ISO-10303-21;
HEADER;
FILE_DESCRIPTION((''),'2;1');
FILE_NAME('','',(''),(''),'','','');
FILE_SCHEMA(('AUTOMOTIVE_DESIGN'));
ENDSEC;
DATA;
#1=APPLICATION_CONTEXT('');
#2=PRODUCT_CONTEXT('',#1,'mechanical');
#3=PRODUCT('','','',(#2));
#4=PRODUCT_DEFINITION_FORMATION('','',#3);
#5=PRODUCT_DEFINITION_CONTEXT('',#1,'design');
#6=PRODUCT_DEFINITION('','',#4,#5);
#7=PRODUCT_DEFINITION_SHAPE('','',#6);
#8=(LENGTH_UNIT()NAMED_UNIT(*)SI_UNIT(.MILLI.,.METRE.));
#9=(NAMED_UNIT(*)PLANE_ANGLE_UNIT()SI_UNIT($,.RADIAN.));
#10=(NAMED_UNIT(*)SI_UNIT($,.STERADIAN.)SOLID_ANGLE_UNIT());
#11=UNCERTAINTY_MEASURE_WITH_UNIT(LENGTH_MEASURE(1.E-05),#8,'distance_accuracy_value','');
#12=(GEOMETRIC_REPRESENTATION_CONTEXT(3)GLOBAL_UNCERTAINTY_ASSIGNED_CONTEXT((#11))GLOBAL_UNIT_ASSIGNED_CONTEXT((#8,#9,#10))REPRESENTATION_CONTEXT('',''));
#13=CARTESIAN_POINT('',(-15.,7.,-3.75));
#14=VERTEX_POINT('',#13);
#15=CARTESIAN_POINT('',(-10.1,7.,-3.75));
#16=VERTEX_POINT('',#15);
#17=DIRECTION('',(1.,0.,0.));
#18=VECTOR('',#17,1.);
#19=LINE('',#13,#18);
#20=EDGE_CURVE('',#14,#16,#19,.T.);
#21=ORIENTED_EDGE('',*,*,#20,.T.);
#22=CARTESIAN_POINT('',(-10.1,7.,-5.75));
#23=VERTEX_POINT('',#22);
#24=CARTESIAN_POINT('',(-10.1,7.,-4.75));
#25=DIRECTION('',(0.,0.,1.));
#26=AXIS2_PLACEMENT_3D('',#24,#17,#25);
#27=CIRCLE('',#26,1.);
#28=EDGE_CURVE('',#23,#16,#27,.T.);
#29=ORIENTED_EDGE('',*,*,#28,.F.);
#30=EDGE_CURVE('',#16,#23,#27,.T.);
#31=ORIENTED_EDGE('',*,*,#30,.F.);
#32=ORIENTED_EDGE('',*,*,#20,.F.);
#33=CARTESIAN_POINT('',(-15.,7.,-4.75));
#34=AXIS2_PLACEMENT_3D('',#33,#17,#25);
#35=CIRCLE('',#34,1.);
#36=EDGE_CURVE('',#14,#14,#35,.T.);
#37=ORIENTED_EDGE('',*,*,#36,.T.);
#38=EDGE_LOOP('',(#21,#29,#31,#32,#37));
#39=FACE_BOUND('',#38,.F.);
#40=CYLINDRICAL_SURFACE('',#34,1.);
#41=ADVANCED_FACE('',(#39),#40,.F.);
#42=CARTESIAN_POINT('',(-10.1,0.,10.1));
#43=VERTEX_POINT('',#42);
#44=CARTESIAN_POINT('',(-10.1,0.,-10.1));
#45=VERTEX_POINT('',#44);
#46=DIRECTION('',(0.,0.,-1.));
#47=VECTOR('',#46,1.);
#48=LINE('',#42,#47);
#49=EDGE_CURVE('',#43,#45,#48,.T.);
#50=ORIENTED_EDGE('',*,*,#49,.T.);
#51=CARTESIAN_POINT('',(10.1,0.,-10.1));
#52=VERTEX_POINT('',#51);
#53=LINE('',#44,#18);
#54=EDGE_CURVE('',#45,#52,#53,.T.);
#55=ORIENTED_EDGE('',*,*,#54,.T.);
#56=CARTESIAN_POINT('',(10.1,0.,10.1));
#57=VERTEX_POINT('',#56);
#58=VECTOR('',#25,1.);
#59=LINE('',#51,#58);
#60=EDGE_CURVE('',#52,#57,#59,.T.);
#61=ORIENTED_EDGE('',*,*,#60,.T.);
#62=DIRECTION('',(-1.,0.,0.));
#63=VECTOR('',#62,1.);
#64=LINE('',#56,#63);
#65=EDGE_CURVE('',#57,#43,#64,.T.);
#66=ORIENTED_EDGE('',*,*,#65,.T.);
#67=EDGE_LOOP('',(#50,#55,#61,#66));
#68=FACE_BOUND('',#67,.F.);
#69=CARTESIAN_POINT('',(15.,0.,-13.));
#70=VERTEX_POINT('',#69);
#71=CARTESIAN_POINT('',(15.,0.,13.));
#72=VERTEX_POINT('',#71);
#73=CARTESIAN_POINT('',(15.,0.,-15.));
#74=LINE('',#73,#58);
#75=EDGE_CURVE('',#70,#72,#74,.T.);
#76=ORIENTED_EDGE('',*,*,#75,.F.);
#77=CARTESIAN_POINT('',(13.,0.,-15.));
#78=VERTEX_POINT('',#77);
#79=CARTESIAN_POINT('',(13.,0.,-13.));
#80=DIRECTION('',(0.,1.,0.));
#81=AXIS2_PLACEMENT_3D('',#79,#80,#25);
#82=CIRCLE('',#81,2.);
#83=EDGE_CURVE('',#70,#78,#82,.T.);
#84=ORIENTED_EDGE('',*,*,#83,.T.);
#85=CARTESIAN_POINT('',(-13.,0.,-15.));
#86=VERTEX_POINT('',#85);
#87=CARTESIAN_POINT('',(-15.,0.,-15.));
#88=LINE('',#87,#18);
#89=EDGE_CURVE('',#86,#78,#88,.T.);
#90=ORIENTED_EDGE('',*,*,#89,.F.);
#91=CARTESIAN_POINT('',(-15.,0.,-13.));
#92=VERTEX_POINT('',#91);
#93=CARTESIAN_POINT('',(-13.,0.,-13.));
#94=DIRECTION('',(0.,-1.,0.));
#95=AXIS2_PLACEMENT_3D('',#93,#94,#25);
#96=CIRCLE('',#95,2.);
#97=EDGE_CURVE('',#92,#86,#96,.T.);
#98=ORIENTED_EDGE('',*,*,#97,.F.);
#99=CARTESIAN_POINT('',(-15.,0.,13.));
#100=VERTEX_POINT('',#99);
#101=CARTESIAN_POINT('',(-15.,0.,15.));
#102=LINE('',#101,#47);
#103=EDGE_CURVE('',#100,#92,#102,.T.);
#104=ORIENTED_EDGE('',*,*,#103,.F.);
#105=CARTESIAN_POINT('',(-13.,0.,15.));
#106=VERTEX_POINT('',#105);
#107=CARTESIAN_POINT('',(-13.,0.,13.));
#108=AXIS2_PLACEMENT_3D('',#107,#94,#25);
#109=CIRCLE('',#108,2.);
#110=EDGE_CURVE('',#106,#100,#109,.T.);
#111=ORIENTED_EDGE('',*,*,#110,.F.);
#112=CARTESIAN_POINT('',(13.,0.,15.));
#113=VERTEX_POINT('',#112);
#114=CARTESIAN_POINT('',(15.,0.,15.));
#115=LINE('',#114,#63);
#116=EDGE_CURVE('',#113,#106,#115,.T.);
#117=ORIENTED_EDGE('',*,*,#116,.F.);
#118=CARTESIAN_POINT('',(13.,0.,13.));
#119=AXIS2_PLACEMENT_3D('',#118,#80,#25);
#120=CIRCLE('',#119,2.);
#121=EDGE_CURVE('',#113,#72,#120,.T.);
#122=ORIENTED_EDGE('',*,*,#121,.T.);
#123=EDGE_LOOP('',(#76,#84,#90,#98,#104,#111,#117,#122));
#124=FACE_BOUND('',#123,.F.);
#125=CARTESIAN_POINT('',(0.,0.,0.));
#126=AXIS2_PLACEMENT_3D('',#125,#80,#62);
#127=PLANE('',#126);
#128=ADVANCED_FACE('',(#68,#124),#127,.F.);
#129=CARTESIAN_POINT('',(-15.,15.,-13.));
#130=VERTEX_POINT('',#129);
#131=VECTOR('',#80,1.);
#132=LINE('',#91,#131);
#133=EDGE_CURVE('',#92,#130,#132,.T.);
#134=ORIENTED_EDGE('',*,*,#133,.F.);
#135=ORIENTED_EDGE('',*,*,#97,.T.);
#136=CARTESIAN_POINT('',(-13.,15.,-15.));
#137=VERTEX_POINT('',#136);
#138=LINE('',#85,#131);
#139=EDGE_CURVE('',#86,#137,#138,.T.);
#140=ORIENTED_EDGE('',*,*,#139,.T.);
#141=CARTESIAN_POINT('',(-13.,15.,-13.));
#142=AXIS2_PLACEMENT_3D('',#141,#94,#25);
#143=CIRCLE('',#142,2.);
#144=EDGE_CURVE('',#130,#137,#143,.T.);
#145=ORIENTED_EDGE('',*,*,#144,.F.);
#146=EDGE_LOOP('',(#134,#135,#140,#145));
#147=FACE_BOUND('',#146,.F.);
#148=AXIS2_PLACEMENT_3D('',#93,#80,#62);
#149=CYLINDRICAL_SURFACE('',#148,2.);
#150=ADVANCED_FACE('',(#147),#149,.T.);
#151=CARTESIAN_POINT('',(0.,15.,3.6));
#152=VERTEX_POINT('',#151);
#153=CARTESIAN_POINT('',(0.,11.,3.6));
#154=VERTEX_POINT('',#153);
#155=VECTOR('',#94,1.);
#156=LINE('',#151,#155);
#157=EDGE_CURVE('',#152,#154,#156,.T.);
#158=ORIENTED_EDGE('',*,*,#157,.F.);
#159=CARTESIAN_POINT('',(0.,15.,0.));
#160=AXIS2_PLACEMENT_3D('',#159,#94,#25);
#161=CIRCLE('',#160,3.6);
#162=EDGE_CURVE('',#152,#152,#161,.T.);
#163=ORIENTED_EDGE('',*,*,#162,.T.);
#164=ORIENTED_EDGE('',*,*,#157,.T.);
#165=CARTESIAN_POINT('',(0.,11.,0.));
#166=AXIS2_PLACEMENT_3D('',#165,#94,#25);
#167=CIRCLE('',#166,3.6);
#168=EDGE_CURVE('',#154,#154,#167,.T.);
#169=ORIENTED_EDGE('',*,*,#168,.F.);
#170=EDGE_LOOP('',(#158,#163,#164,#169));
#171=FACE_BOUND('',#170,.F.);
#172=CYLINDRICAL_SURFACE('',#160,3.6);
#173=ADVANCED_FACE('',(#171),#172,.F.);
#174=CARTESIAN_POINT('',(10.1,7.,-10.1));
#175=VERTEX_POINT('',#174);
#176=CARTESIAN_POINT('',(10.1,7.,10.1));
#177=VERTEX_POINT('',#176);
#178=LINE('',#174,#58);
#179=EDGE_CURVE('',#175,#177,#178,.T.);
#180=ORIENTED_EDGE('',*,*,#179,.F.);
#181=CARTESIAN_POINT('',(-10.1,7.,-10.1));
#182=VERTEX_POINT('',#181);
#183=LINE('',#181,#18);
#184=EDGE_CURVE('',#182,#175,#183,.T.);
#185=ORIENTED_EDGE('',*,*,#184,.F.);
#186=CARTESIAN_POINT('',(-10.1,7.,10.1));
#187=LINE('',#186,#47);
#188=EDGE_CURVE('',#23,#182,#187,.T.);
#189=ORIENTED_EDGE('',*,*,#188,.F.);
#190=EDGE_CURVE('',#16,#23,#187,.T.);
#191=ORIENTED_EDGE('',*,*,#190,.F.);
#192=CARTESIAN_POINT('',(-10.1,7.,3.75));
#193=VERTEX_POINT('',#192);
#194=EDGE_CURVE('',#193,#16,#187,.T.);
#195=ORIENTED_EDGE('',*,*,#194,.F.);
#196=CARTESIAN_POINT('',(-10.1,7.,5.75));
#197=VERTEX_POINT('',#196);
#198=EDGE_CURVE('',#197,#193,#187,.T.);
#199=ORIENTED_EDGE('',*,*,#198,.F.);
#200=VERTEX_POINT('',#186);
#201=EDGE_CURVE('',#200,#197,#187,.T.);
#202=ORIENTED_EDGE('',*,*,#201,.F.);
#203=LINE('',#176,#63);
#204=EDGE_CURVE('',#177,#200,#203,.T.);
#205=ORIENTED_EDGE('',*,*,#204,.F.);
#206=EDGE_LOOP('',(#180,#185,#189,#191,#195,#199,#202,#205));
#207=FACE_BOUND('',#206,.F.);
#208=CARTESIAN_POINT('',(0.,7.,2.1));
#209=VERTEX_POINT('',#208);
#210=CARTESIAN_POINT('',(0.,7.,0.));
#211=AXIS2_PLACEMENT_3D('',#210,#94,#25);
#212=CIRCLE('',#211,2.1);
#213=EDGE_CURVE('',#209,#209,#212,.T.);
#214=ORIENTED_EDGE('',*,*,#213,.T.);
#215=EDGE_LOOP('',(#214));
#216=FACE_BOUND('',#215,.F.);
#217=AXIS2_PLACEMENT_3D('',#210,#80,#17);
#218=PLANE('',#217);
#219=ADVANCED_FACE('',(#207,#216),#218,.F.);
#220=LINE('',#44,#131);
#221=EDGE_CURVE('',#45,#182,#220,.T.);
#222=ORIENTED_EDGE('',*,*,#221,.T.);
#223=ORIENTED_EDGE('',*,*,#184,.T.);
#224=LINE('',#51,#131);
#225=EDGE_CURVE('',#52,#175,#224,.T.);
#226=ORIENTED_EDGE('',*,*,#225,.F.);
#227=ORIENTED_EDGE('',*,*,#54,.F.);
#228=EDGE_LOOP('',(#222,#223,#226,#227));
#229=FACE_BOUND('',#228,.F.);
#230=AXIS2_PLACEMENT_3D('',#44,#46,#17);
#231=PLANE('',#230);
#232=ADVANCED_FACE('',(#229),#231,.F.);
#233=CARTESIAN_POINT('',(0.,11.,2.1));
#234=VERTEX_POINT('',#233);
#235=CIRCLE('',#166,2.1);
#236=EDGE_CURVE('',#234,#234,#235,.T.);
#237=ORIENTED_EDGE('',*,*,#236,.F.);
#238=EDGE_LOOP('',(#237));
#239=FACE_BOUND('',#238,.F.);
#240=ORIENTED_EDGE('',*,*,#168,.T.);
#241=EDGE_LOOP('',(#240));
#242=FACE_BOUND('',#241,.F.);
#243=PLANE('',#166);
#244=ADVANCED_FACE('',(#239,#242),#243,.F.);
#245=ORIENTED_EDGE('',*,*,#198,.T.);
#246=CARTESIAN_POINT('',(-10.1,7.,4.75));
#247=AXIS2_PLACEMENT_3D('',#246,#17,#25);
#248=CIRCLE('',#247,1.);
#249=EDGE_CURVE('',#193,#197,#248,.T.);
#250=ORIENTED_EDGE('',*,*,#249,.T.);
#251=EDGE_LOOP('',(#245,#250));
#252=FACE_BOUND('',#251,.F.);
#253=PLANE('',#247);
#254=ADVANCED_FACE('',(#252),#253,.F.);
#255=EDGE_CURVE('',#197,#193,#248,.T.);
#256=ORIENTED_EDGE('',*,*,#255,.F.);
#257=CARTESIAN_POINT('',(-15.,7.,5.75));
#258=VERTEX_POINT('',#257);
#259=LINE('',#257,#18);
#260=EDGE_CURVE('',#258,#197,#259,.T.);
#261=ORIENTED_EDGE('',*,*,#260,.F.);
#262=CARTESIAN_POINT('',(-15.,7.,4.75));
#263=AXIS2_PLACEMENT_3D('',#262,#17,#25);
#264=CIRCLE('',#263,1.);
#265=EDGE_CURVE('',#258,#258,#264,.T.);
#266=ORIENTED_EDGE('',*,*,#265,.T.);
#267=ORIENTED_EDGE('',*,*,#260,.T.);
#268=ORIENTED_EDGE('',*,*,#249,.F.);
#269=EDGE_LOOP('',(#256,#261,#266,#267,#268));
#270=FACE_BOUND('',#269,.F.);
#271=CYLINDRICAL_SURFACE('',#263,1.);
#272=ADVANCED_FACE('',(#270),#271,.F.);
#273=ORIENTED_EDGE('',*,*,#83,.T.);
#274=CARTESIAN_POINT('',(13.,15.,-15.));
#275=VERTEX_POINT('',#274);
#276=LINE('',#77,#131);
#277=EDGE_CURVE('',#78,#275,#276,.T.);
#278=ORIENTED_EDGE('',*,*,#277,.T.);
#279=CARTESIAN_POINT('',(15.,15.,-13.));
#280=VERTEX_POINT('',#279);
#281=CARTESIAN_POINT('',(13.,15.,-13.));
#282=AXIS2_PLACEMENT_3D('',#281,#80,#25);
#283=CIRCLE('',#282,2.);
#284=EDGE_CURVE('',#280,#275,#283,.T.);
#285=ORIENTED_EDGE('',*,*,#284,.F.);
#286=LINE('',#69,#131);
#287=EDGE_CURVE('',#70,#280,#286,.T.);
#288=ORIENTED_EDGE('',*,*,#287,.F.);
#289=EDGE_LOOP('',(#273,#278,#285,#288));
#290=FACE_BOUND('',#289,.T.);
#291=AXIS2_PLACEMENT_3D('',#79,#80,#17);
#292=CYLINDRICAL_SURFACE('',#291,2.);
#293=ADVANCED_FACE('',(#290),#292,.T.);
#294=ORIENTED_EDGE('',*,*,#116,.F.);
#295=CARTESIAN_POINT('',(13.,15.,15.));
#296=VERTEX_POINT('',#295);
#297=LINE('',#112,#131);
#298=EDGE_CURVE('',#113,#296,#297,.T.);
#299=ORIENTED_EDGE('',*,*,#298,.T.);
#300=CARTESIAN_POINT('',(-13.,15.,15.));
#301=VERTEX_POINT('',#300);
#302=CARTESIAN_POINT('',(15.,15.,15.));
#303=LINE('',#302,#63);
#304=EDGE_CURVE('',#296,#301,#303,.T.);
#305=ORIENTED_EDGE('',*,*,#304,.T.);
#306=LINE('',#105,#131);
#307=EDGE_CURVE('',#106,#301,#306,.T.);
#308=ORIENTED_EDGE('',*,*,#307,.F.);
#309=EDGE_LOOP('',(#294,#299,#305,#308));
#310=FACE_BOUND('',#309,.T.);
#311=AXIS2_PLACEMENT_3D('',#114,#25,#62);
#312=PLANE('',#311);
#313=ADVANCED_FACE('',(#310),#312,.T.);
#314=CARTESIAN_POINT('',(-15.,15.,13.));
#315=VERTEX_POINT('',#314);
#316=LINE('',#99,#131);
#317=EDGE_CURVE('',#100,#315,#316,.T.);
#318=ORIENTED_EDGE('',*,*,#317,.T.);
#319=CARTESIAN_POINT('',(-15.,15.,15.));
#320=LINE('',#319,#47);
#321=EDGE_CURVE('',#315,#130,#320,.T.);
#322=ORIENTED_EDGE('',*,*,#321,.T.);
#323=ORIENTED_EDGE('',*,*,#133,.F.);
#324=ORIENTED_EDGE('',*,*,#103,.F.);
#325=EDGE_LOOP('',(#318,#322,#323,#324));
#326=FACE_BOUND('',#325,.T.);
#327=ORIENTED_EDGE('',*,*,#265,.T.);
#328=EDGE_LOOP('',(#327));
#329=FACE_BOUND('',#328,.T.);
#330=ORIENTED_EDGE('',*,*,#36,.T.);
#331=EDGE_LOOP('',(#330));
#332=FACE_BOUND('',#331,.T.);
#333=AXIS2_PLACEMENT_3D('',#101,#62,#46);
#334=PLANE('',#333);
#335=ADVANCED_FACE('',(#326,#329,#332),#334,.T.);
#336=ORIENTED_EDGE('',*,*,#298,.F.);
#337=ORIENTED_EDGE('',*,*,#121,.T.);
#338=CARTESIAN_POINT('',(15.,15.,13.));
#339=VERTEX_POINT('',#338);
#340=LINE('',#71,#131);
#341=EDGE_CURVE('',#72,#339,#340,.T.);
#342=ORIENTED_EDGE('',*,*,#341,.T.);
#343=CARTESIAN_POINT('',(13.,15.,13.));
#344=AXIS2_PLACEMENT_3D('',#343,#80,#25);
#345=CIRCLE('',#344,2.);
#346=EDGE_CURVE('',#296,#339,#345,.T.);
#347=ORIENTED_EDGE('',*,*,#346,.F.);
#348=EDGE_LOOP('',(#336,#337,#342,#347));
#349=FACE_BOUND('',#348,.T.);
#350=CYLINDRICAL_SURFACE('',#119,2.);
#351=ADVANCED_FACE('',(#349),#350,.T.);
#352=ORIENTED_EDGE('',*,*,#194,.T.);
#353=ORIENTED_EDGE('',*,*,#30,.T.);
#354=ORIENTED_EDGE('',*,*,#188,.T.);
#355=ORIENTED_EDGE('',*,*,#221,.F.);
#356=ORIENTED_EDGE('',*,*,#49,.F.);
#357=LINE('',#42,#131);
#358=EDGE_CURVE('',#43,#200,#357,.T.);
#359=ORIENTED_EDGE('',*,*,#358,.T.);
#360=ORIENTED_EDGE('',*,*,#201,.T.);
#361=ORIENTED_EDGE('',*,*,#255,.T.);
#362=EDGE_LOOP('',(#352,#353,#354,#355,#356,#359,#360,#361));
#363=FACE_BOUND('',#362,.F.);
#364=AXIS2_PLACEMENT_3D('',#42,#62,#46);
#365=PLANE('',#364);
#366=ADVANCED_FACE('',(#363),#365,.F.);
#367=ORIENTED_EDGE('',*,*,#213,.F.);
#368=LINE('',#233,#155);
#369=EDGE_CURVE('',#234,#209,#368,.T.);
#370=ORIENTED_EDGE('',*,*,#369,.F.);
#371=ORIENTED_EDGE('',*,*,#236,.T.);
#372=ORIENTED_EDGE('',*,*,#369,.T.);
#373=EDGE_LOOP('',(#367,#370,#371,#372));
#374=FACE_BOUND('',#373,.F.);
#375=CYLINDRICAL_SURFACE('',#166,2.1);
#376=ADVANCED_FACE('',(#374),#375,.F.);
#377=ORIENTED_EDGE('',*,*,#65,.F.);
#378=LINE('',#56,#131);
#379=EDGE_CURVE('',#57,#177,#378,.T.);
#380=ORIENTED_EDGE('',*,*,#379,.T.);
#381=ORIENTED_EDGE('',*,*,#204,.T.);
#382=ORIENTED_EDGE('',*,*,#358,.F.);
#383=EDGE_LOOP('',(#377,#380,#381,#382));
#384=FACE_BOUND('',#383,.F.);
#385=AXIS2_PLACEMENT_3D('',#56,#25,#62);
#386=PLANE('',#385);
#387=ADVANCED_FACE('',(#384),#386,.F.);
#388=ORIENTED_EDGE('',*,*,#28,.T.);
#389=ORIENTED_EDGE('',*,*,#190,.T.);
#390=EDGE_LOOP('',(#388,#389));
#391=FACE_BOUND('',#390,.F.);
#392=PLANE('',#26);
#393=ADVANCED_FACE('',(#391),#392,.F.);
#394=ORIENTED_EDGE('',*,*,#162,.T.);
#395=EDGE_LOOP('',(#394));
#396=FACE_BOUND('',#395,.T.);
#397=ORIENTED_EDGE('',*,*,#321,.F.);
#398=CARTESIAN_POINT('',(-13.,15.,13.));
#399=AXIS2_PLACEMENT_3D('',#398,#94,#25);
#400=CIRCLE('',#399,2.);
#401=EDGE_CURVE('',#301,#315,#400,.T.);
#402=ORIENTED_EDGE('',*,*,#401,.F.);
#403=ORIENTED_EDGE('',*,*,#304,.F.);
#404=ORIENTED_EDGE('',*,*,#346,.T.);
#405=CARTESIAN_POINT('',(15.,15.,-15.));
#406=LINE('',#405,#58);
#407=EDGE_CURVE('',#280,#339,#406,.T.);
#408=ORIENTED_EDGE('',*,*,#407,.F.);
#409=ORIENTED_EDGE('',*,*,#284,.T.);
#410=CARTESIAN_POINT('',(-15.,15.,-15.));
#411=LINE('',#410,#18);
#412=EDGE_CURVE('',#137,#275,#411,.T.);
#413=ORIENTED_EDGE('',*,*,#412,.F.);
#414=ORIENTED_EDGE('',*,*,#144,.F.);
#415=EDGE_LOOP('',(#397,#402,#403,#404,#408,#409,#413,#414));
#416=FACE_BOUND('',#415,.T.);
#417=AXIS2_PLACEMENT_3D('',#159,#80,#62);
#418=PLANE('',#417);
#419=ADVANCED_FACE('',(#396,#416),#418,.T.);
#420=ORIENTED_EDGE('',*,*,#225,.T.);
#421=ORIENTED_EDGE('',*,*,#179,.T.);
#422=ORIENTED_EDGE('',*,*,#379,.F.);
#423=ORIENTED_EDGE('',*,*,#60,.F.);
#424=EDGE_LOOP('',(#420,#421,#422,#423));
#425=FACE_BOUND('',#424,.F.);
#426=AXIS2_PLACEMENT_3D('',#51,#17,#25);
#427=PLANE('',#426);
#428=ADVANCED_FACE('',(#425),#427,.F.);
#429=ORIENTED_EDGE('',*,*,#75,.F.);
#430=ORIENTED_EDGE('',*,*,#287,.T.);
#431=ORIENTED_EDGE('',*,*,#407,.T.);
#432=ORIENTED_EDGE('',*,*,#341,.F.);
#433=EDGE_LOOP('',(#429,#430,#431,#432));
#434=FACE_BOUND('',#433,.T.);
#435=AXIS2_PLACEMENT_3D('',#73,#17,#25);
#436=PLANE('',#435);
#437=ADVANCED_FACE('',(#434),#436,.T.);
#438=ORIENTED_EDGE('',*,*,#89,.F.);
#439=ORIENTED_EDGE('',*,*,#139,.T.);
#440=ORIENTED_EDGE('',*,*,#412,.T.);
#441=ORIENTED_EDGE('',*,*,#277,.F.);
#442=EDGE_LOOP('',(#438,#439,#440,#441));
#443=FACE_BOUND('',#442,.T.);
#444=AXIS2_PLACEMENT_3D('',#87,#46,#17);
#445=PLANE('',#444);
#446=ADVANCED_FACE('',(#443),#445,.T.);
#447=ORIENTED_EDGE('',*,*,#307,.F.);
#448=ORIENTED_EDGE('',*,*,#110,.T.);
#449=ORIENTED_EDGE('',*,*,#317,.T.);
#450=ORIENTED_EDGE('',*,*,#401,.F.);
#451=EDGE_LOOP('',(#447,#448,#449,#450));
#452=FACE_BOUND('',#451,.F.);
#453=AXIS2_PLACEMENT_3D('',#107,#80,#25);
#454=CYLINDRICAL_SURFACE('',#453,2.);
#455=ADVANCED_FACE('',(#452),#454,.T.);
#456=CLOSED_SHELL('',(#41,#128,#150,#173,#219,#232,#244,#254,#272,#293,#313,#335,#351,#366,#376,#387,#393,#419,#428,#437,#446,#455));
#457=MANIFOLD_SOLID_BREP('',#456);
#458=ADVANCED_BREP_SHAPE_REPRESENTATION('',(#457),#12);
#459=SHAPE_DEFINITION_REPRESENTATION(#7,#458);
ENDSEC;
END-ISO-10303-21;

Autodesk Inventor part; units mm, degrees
ref_plane "YZ Plane" through (0, 0, 0) normal (1, 0, 0) x (0, 1, 0)
ref_plane "XZ Plane" through (0, 0, 0) normal (0, 1, 0) x (-1, 0, 0)
ref_plane "XY Plane" through (0, 0, 0) normal (0, 0, 1) x (1, 0, 0)
sketch "草圖2" plane through (0, 0, 0) normal (0, 1, 0) x (-1, 0, 0)
  line L0 (-15, 15) -> (15, 15)
  line L1 (15, 15) -> (15, -15)
  line L2 (15, -15) -> (-15, -15)
  line L3 (-15, -15) -> (-15, 15)
  line L4 (-15, 15) -> (15, -15) construction
  line L5 (15, 15) -> (-15, -15) construction
  line L6 (-10.1, 10.1) -> (10.1, 10.1)
  line L7 (10.1, 10.1) -> (10.1, -10.1)
  line L8 (10.1, -10.1) -> (-10.1, -10.1)
  line L9 (-10.1, -10.1) -> (-10.1, 10.1)
  line L10 (-10.1, 10.1) -> (10.1, -10.1) construction
  line L11 (10.1, 10.1) -> (-10.1, -10.1) construction
  point P0 (0, 0)
  dimension "d4" = 30
  dimension "d5" = 30
  dimension "d6" = 20.2
  dimension "d7" = 20.2
extrude "擠出2" add sketch "草圖2" along normal blind 15
sketch "草圖3" plane through (0, 15, 0) normal (0, 1, 0) x (1, 0, 0)
  line L0 (15, 15) -> (-15, 15) projected
  line L1 (-15, 15) -> (-15, -15) projected
  line L2 (-15, -15) -> (15, -15) projected
  line L3 (15, -15) -> (15, 15) projected
  line L4 (10.1, -10.1) -> (-10.1, -10.1) projected
  line L5 (-10.1, -10.1) -> (-10.1, 10.1) projected
  line L6 (-10.1, 10.1) -> (10.1, 10.1) projected
  line L7 (10.1, 10.1) -> (10.1, -10.1) projected
  point P0 (0, 0)
extrude "擠出3" add sketch "草圖3" against normal blind 8 contours L4 L5 L6 L7
sketch "草圖4" plane through (0, 15, 0) normal (0, 1, 0) x (1, 0, 0)
  circle A0 centre (0, 0) radius 2.1
  dimension "d12" = 4.2
hole "孔1" at (0, 15, 0) direction (0, -1, 0) diameter 4.2 end through all counterbore diameter 7.2 counterbore depth 4
sketch "草圖5" plane through (-15, 0, -15) normal (-1, 0, 0) x (0, 0, 1)
  line L0 (10.25, 7) -> (19.75, 7) construction
  line L1 (0, 0) -> (30, 0) construction
  line L2 (0, 15) -> (30, 15) construction
  point P0 (15, 0)
  point P1 (15, 7)
  point P2 (15, 0)
  dimension "d20" = 9.5
  dimension "d21" = 8
hole "孔2" at (-15, 7, -4.75) at (-15, 7, 4.75) direction (1, 0, 0) diameter 2 depth 4.9
fillet "圓角1" radius 2 4 edges at (-15, 7.5, -15) (-15, 7.5, 15) (15, 7.5, -15) (15, 7.5, 15)
sketch "草圖1" plane through (0, 0, 0) normal (0, 1, 0) x (-1, 0, 0)
  line L0 (-10, 10) -> (10, 10)
  line L1 (10, 10) -> (10, -10)
  line L2 (10, -10) -> (-10, -10)
  line L3 (-10, -10) -> (-10, 10)
  line L4 (-10, 10) -> (10, -10) construction
  line L5 (10, 10) -> (-10, -10) construction
  point P0 (0, 0)
  dimension "d2" = 20
  dimension "d3" = 20
equation "\"d6\" = d7"
properties part number "限位開關"
